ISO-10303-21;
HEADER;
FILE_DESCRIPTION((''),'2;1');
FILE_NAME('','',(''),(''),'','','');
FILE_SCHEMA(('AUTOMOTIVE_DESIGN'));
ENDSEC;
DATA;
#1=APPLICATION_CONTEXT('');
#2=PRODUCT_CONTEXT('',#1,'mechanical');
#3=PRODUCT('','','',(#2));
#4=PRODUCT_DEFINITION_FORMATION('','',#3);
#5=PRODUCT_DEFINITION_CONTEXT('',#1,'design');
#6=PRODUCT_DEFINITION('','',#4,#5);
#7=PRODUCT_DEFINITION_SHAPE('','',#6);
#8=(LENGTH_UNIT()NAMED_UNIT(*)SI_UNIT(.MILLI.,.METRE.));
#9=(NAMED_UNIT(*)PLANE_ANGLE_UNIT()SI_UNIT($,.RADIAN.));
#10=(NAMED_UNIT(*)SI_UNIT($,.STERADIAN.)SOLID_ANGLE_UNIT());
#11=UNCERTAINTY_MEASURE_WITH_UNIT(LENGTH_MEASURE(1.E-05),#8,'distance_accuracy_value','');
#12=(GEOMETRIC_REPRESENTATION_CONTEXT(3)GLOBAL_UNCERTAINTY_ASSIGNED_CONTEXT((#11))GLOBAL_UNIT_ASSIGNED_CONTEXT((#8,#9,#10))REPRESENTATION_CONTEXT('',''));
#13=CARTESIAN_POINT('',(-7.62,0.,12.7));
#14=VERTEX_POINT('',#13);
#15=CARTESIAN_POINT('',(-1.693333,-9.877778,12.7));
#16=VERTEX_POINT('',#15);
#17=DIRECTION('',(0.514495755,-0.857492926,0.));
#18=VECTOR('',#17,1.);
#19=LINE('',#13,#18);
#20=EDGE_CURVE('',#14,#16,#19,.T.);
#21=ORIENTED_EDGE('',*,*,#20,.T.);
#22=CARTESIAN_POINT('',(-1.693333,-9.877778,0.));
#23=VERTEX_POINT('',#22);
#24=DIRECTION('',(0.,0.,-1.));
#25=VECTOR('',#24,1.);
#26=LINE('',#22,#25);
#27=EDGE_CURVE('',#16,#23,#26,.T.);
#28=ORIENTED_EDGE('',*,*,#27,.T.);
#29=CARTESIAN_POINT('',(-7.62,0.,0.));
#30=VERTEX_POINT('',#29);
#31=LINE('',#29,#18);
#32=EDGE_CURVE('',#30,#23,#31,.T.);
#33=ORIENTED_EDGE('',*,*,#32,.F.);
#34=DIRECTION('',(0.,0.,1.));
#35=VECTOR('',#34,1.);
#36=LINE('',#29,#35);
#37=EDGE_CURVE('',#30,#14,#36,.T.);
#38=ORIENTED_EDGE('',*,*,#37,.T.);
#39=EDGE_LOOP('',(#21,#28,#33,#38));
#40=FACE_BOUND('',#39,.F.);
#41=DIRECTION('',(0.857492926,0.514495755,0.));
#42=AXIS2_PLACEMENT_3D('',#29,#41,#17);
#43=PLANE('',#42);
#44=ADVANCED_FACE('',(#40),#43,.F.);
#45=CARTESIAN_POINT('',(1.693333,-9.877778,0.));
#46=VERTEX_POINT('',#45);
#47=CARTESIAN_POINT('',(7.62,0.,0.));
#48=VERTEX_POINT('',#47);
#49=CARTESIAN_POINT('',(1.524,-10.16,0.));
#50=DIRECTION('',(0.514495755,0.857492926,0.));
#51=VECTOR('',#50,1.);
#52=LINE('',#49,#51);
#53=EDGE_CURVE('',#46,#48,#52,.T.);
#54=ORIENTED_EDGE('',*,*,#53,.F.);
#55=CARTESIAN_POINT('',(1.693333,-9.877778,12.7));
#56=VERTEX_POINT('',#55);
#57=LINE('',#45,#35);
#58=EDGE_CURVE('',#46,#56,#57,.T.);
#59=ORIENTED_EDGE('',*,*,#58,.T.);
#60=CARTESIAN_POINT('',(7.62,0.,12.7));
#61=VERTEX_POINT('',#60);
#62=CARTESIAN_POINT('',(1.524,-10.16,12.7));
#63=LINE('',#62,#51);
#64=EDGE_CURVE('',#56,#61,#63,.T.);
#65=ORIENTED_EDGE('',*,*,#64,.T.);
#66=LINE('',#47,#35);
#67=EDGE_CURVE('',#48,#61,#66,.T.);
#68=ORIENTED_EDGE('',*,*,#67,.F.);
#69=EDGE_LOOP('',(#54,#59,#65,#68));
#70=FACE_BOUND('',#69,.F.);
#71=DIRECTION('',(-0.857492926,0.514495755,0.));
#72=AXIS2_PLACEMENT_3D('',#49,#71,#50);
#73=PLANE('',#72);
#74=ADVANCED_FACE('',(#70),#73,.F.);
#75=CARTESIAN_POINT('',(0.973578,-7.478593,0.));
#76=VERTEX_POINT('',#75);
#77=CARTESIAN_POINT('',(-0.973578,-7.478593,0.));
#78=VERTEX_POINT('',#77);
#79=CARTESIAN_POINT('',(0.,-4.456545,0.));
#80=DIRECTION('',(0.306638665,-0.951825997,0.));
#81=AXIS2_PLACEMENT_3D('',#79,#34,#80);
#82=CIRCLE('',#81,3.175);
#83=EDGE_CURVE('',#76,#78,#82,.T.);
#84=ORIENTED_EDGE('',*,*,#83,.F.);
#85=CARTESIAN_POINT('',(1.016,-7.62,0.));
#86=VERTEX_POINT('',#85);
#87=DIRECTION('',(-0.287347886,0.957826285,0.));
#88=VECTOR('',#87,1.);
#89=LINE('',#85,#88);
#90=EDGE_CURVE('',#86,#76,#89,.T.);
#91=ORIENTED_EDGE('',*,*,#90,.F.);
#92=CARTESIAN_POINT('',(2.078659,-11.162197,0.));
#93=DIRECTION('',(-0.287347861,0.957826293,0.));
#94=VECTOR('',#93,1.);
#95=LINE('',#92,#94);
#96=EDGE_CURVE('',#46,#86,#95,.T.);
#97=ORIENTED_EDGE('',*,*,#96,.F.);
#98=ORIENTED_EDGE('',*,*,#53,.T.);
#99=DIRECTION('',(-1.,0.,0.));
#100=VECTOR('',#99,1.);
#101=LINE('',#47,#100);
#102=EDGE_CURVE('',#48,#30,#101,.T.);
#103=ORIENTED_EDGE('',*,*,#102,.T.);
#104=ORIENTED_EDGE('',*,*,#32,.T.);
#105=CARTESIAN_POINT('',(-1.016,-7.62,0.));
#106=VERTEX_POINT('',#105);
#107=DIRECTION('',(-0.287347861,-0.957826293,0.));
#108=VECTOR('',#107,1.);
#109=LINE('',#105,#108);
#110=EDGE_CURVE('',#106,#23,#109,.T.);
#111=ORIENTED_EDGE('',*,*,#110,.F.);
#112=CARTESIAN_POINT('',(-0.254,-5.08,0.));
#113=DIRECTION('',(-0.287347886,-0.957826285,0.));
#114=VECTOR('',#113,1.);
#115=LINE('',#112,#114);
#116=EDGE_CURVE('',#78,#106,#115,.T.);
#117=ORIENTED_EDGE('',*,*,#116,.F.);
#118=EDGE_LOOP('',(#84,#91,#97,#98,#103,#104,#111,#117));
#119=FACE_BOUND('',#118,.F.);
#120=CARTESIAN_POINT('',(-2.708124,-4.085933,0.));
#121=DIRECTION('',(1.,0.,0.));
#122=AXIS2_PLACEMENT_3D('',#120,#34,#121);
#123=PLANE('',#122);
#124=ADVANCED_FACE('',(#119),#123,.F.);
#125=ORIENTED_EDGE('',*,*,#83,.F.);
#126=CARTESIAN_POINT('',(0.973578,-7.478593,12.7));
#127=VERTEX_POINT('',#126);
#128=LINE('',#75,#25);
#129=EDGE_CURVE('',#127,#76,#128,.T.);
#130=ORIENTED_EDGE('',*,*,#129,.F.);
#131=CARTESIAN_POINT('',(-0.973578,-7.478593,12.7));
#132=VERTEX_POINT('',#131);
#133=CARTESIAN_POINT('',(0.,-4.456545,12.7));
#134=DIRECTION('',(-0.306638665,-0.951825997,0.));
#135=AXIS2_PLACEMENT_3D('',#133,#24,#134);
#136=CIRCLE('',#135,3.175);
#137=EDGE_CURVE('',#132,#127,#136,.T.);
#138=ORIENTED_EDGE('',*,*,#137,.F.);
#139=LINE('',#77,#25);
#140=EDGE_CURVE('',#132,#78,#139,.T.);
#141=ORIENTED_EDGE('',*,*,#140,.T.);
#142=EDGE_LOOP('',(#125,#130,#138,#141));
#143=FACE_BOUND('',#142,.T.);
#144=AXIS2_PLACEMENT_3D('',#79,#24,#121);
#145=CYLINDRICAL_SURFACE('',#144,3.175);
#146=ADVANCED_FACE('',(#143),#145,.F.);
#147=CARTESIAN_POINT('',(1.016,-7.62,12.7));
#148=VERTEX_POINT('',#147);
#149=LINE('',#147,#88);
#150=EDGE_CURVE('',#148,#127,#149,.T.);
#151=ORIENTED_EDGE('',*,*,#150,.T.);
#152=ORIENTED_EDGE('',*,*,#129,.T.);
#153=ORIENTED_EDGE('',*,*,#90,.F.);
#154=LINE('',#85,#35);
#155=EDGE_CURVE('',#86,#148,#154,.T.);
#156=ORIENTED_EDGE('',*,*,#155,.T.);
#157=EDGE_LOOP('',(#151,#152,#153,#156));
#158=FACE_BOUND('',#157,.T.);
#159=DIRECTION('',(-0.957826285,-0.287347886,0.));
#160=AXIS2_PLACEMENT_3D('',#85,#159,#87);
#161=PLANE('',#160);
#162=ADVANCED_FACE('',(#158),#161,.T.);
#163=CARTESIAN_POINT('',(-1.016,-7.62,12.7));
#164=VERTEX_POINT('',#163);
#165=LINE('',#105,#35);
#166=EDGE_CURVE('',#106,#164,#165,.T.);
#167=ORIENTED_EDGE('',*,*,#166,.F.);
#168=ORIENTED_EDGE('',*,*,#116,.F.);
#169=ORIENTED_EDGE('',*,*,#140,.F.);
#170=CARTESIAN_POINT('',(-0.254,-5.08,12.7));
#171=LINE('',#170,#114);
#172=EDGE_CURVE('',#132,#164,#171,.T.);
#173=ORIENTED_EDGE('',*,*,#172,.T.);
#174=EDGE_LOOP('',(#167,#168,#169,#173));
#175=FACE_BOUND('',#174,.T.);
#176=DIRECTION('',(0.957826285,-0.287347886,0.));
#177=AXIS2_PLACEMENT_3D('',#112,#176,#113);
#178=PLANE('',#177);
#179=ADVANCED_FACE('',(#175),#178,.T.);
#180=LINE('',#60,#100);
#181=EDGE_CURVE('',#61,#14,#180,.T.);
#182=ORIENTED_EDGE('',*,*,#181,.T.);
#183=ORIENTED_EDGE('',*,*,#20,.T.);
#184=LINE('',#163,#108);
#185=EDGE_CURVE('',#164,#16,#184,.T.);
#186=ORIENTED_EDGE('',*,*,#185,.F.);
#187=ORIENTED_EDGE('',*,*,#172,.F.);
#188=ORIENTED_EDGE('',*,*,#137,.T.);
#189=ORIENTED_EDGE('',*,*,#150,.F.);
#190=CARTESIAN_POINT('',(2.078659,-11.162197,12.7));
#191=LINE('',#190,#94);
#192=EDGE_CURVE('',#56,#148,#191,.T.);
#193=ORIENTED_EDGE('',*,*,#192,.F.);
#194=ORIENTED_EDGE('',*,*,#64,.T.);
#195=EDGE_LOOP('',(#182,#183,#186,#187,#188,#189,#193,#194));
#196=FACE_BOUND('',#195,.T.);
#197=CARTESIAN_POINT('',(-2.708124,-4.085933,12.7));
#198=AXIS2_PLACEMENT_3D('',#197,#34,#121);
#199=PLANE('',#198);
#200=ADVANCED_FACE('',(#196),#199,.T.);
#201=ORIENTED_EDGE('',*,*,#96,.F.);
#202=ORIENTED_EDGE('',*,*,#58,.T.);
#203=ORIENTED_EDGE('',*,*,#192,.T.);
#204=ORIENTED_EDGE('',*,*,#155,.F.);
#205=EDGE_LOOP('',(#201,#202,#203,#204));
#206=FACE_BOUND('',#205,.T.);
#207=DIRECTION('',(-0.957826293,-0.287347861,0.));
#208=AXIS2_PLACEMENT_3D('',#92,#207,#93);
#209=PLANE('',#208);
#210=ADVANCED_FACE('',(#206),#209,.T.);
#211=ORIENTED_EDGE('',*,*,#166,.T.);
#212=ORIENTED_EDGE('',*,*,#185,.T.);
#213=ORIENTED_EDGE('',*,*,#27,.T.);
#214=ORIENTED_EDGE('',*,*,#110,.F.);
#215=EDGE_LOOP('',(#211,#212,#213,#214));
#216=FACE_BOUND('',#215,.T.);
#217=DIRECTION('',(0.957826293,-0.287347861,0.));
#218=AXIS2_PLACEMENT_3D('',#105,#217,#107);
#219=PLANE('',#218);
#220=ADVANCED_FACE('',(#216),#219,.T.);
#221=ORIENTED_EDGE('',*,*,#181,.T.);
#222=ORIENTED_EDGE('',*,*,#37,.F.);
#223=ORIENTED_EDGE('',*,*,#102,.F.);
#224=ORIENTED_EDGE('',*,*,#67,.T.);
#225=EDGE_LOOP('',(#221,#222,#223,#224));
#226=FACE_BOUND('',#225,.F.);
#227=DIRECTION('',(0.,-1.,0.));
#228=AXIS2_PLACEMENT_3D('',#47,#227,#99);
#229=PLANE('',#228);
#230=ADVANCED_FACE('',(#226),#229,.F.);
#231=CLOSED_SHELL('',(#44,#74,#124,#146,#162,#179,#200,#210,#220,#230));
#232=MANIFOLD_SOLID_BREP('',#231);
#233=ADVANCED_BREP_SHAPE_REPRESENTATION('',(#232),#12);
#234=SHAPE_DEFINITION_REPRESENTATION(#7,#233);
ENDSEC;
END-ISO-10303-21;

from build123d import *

# Parameters (mm, degrees)
F3_DEPTH = 12.7
F4_DEPTH = 12.7
F1_R     = 3.175
F5_DEPTH = 12.7


with BuildPart() as f3:
    # F0 (on Top) → F3 (new body)
    with BuildSketch(Plane.XY):
        Polygon((0, -10.16), (0, 0), (-7.62, 0), (-1.524, -10.16), align=None)
        Polygon((7.62, 0), (0, 0), (0, -10.16), (1.524, -10.16), align=None)
    extrude(amount=F3_DEPTH)

    # F2 (on face) → F4 (cut)
    with BuildSketch(Plane.XY):
        Polygon((0, -5.08), (0, -7.62), (1.016, -7.62), (0.254, -5.08), align=None)
        Polygon((1.016, -7.62), (0, -7.62), (-1.016, -7.62), (-2.078659, -11.162197), (2.078659, -11.162197), align=None)
        Polygon((-1.016, -7.62), (0, -7.62), (0, -5.08), (-0.254, -5.08), align=None)
    extrude(amount=F4_DEPTH, mode=Mode.SUBTRACT)

    # F1 (on face) → F5 (cut)
    with BuildSketch(Plane.XY):
        with Locations((0, -4.456545)):
            Circle(F1_R)
    extrude(amount=F5_DEPTH, mode=Mode.SUBTRACT)


solid = f3.part
